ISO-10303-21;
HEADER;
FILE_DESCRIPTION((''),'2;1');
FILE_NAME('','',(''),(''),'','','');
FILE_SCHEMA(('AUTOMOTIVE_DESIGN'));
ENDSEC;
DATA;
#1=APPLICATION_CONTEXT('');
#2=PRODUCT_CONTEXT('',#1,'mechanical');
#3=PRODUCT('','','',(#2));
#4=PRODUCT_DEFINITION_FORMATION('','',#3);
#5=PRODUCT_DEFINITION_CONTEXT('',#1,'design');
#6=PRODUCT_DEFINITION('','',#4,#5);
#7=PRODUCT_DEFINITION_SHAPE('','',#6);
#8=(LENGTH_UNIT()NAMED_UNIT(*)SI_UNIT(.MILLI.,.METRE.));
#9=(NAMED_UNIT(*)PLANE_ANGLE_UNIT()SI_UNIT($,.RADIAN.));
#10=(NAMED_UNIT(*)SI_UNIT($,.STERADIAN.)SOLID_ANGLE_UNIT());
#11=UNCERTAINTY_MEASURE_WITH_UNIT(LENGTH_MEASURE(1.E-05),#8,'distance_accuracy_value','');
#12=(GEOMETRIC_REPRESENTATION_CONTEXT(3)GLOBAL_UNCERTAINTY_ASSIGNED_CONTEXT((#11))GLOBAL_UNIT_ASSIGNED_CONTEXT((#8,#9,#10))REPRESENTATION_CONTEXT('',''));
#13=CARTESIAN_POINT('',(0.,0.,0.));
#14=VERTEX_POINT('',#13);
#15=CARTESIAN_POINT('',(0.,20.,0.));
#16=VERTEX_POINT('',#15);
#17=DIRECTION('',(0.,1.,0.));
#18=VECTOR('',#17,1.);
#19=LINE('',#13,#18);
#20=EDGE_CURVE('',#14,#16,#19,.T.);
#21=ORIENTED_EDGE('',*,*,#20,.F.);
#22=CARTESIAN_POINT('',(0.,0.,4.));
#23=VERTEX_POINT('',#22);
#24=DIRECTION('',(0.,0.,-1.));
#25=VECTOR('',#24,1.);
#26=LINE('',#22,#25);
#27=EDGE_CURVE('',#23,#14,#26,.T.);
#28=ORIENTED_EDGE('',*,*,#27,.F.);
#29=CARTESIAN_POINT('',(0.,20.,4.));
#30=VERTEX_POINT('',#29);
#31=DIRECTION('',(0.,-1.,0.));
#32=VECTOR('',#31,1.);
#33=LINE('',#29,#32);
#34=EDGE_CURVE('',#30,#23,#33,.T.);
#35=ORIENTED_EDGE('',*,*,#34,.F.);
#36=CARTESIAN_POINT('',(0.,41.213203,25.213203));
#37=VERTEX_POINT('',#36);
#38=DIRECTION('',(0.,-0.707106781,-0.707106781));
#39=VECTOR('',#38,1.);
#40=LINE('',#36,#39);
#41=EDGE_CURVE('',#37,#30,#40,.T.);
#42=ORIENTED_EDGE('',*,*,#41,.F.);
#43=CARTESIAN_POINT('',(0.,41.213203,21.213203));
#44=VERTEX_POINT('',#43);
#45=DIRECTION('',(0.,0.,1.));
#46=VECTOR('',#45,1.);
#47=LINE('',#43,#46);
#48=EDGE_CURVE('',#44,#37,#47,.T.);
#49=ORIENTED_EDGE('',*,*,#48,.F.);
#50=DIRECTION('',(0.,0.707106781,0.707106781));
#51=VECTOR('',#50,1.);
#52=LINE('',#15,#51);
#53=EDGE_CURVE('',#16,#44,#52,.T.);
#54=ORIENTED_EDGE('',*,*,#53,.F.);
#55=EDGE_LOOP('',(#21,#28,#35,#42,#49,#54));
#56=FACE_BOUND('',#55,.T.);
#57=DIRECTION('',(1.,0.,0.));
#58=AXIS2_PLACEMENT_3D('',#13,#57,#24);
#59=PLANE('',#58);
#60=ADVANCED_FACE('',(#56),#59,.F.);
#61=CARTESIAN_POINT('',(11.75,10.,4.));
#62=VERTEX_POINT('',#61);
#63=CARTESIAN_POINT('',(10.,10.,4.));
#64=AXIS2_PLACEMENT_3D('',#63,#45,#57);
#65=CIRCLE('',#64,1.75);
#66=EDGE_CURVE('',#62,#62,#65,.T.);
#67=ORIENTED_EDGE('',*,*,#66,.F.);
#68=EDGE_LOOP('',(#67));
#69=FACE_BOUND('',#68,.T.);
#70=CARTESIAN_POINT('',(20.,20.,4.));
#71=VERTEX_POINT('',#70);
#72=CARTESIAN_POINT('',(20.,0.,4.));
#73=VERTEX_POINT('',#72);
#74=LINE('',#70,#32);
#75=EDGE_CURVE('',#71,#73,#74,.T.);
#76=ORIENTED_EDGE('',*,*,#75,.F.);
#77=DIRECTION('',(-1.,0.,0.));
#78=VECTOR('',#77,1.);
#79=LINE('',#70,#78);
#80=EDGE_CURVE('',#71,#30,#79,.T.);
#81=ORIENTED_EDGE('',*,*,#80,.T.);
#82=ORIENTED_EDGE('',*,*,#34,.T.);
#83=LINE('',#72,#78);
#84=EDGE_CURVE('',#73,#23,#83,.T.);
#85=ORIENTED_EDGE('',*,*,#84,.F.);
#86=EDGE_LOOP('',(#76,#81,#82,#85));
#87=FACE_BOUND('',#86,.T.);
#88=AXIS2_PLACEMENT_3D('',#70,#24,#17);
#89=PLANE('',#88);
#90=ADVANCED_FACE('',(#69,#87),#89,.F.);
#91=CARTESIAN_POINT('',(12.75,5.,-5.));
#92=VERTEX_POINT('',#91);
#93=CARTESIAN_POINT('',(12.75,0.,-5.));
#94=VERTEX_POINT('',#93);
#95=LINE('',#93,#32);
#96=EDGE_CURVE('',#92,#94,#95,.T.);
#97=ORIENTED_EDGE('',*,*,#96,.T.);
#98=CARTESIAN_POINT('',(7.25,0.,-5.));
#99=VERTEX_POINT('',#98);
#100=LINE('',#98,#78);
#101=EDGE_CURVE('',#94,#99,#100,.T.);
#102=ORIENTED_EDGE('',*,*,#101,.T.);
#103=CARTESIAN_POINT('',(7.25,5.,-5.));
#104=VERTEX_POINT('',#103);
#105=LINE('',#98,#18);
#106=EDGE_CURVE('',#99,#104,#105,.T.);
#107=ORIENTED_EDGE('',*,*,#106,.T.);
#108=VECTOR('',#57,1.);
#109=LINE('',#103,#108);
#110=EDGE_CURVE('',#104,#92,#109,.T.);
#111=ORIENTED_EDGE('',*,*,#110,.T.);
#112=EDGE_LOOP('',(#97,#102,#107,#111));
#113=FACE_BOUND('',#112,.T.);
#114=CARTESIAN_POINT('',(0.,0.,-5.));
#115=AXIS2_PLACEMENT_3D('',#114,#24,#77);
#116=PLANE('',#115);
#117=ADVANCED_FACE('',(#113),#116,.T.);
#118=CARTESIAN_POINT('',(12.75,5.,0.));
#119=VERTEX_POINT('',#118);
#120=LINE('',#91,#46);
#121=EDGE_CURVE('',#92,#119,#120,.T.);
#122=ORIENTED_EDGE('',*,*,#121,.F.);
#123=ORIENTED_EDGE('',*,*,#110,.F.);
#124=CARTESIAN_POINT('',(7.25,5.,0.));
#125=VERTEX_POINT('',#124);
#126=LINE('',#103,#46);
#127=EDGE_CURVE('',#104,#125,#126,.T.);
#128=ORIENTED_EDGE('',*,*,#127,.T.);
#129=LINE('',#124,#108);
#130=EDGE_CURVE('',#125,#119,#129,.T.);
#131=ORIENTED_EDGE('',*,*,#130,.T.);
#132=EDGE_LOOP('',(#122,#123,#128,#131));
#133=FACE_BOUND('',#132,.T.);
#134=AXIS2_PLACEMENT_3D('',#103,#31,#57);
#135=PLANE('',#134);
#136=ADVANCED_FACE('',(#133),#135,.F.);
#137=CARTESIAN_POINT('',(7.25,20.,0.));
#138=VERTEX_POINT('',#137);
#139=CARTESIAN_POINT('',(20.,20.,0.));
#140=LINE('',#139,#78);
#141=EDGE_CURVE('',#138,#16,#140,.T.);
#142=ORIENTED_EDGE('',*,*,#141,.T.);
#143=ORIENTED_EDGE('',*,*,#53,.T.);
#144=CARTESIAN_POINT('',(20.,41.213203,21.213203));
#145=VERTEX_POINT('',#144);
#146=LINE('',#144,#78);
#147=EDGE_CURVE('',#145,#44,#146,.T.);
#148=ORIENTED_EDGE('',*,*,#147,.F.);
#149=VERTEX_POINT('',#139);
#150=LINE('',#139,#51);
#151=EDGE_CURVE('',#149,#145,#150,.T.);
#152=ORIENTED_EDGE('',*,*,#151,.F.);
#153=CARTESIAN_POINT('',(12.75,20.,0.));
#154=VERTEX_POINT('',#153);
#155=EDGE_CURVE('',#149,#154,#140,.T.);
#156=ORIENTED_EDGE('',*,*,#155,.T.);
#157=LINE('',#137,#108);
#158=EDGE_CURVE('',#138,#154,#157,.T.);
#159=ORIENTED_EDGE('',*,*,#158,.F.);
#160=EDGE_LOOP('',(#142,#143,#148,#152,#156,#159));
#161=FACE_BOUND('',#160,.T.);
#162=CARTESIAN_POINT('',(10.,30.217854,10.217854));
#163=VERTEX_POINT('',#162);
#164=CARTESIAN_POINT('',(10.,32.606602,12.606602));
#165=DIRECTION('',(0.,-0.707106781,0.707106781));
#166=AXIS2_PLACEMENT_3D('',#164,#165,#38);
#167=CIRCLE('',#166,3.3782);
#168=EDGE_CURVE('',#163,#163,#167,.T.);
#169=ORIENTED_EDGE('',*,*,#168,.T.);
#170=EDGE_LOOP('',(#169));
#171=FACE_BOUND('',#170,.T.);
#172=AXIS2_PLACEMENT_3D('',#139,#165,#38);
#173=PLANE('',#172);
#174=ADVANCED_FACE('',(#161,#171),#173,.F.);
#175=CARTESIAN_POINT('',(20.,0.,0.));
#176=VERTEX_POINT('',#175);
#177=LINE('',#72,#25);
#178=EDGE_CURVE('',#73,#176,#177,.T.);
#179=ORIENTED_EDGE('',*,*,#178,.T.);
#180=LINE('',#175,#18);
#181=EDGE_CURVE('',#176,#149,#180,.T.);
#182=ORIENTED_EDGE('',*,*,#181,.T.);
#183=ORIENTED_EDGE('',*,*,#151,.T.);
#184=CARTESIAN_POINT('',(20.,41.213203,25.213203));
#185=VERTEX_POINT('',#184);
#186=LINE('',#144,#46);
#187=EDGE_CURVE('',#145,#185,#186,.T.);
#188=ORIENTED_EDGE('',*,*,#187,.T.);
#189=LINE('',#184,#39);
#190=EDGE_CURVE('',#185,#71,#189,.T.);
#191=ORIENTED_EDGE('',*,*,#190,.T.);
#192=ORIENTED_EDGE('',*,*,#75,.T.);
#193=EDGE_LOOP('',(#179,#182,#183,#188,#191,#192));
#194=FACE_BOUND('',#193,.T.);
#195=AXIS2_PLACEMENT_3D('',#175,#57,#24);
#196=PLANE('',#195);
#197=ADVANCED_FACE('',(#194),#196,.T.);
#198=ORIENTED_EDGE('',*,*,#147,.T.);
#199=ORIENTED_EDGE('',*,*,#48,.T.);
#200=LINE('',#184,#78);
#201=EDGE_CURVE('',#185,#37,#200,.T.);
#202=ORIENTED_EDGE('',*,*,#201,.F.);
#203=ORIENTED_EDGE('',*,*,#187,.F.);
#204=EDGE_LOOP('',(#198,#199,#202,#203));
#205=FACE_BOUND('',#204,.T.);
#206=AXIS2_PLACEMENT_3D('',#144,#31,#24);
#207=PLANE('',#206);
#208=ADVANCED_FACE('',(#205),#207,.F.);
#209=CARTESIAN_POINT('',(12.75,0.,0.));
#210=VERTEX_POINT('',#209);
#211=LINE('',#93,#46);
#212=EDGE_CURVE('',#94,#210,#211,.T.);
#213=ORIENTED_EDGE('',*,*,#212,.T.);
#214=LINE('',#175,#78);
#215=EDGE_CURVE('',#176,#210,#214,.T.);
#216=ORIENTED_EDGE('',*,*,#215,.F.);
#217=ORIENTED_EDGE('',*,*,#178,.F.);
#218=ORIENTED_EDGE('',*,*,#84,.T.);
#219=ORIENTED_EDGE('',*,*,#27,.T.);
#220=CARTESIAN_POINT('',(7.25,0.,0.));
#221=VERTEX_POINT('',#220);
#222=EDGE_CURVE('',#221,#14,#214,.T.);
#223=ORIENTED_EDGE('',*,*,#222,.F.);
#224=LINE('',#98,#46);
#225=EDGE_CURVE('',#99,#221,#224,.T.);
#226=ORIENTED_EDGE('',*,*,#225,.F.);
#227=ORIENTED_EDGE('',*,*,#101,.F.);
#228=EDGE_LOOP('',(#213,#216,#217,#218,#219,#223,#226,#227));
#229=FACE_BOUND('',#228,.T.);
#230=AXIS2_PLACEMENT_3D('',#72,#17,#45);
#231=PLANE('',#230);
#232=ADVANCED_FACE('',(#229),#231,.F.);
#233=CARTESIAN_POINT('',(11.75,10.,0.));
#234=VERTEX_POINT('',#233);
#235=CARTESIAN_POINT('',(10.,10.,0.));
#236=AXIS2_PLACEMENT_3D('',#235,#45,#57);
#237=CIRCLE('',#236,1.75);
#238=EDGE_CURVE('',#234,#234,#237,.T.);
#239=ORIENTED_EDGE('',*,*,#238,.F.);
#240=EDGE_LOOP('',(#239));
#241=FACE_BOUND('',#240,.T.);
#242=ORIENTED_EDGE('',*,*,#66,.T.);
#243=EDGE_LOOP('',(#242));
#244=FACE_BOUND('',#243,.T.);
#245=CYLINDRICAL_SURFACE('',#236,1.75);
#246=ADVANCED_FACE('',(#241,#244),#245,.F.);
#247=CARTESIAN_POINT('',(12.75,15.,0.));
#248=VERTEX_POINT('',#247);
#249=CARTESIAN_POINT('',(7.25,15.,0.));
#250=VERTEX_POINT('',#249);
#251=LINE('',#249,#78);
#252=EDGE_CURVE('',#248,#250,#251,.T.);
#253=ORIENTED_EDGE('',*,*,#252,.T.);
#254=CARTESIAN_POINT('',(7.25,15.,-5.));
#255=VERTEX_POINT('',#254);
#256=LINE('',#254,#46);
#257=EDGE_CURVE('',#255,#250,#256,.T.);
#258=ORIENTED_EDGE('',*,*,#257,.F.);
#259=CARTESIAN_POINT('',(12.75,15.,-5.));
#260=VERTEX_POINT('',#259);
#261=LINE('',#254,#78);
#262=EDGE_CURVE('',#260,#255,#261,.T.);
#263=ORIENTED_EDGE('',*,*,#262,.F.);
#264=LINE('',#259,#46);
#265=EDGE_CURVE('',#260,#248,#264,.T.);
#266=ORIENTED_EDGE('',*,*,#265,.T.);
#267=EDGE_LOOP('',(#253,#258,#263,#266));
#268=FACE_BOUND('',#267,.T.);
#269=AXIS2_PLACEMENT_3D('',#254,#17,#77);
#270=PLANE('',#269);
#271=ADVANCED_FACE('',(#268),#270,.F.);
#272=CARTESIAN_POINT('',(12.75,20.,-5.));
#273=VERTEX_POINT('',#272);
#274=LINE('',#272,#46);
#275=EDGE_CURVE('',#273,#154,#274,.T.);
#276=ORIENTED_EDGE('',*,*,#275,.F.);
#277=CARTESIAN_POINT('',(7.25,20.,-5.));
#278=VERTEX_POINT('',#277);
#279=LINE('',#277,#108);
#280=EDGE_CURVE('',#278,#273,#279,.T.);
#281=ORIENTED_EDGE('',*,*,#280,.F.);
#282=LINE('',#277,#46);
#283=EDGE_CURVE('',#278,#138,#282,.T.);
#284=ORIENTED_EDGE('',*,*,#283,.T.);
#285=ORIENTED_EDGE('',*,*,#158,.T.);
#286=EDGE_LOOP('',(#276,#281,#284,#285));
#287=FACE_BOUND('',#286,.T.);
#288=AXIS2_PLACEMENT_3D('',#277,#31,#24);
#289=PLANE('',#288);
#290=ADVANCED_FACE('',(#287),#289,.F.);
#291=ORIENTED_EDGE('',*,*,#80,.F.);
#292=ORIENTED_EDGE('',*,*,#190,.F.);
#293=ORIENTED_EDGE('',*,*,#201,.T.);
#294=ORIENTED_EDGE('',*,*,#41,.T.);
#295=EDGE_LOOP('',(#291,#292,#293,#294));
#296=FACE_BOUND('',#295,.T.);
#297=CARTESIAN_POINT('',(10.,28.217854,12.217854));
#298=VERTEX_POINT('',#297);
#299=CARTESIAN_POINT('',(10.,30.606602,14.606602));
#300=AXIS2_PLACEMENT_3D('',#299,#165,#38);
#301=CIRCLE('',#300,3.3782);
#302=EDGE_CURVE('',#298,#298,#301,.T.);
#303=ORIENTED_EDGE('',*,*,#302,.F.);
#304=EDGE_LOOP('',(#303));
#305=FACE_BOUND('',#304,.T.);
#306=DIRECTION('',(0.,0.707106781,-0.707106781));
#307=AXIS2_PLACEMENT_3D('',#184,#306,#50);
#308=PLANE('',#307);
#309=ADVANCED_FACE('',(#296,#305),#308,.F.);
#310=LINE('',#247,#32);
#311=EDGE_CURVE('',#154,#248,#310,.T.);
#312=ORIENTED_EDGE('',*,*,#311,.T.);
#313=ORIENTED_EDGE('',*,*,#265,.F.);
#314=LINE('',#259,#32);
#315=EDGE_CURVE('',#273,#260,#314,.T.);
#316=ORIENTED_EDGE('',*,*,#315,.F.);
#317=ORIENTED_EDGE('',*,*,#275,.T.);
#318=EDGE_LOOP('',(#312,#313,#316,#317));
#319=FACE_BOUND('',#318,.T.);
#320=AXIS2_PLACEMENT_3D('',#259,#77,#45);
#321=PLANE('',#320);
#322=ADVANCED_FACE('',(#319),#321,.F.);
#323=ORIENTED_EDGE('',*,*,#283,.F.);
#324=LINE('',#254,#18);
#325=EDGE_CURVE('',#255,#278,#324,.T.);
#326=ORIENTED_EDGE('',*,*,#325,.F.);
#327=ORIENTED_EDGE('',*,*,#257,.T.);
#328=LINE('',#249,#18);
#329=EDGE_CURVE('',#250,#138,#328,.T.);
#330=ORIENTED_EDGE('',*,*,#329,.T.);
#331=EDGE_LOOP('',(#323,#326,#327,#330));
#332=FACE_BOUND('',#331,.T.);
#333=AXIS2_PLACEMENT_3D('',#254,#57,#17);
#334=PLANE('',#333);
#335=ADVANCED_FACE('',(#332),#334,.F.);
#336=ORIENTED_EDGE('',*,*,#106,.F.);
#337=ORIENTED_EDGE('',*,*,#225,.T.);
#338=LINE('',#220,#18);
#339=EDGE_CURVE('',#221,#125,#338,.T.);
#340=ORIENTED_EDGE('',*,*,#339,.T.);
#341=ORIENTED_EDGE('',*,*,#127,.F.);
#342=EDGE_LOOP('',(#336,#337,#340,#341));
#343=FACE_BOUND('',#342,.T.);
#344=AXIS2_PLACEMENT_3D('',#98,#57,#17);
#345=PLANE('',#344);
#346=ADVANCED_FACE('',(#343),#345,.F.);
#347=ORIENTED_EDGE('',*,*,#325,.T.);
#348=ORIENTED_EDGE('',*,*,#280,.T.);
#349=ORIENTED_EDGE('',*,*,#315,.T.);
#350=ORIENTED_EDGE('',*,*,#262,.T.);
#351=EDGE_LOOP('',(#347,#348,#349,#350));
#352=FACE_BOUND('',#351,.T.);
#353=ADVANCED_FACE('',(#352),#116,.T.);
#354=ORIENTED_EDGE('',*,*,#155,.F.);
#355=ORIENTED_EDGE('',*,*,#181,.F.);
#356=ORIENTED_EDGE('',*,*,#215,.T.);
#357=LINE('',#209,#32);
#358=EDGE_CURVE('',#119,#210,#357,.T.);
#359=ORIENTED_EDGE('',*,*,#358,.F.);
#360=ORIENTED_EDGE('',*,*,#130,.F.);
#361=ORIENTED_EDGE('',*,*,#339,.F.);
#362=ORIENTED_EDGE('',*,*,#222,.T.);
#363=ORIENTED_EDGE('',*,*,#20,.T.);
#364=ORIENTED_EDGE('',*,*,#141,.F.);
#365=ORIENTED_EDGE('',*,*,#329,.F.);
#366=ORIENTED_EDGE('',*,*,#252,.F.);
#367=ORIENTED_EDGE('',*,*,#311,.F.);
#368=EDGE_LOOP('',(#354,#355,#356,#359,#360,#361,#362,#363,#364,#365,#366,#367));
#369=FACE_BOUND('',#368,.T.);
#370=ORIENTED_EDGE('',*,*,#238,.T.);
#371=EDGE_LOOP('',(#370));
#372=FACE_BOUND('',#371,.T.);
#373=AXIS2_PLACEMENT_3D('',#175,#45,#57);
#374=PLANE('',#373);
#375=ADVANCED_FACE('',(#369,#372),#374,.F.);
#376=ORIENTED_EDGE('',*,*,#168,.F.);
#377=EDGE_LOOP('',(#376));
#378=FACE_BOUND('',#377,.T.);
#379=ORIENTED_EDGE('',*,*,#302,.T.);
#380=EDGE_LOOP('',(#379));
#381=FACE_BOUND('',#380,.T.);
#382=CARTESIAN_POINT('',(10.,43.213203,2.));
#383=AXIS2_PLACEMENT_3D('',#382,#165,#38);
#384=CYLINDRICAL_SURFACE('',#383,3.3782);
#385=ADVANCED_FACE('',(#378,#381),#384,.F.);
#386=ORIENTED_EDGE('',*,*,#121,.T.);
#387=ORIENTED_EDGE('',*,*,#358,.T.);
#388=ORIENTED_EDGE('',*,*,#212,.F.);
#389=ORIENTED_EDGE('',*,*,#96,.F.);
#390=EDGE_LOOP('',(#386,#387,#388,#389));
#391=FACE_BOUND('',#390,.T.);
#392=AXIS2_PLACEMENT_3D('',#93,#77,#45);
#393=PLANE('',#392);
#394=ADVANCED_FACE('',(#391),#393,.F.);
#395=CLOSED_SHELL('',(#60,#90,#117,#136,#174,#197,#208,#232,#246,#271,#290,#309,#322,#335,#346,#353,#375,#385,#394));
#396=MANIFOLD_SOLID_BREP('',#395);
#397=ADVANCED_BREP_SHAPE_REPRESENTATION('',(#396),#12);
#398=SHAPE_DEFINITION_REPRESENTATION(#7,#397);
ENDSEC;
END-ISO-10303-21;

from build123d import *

# Parameters (mm, degrees)
BOSS_EXTRUDE4_DEPTH = 20
SKETCH6_R           = 1.75
CUT_EXTRUDE3_DEPTH  = 51.482948977
SKETCH7_R           = 3.3782
CUT_EXTRUDE4_DEPTH  = 52.051285634
SKETCH8_W           = 5.5
SKETCH8_H           = 5
BOSS_EXTRUDE5_DEPTH = 5


with BuildPart() as part:
    # Sketch5 → Boss-Extrude4 (new body)
    with BuildSketch(Plane(origin=(0, 0, 0), x_dir=(0, 0, -1), z_dir=(1, 0, 0))):
        Polygon((0, 0), (0, 20), (-21.213203436, 41.213203436), (-25.213203436, 41.213203436), (-4, 20), (-4, 0), align=None)
    extrude(amount=BOSS_EXTRUDE4_DEPTH)

    # Sketch6 → Cut-Extrude3 (cut, through all)
    with BuildSketch(Plane.XY.offset(4)):
        with Locations((10, 10)):
            Circle(SKETCH6_R)
    extrude(amount=-CUT_EXTRUDE3_DEPTH, mode=Mode.SUBTRACT)

    # Sketch7 → Cut-Extrude4 (cut, through all)
    with BuildSketch(Plane(origin=(0, 8, -8), x_dir=(1, 0, 0), z_dir=(0, -0.7071067811865489, 0.7071067811865462))):
        with Locations(Location((10, 31.970562748, 0), (0, 0, 270))):
            Circle(SKETCH7_R)
    extrude(amount=-CUT_EXTRUDE4_DEPTH, mode=Mode.SUBTRACT)

    # Sketch8 → Boss-Extrude5 (add)
    with BuildSketch(Plane(origin=(0, 0, 0), x_dir=(-1, 0, 0), z_dir=(0, 0, -1))):
        with Locations((-10, 17.5)):
            Rectangle(SKETCH8_W, SKETCH8_H)
        with Locations((-10, 2.5)):
            Rectangle(SKETCH8_W, SKETCH8_H)
    extrude(amount=BOSS_EXTRUDE5_DEPTH)


solid = part.part
